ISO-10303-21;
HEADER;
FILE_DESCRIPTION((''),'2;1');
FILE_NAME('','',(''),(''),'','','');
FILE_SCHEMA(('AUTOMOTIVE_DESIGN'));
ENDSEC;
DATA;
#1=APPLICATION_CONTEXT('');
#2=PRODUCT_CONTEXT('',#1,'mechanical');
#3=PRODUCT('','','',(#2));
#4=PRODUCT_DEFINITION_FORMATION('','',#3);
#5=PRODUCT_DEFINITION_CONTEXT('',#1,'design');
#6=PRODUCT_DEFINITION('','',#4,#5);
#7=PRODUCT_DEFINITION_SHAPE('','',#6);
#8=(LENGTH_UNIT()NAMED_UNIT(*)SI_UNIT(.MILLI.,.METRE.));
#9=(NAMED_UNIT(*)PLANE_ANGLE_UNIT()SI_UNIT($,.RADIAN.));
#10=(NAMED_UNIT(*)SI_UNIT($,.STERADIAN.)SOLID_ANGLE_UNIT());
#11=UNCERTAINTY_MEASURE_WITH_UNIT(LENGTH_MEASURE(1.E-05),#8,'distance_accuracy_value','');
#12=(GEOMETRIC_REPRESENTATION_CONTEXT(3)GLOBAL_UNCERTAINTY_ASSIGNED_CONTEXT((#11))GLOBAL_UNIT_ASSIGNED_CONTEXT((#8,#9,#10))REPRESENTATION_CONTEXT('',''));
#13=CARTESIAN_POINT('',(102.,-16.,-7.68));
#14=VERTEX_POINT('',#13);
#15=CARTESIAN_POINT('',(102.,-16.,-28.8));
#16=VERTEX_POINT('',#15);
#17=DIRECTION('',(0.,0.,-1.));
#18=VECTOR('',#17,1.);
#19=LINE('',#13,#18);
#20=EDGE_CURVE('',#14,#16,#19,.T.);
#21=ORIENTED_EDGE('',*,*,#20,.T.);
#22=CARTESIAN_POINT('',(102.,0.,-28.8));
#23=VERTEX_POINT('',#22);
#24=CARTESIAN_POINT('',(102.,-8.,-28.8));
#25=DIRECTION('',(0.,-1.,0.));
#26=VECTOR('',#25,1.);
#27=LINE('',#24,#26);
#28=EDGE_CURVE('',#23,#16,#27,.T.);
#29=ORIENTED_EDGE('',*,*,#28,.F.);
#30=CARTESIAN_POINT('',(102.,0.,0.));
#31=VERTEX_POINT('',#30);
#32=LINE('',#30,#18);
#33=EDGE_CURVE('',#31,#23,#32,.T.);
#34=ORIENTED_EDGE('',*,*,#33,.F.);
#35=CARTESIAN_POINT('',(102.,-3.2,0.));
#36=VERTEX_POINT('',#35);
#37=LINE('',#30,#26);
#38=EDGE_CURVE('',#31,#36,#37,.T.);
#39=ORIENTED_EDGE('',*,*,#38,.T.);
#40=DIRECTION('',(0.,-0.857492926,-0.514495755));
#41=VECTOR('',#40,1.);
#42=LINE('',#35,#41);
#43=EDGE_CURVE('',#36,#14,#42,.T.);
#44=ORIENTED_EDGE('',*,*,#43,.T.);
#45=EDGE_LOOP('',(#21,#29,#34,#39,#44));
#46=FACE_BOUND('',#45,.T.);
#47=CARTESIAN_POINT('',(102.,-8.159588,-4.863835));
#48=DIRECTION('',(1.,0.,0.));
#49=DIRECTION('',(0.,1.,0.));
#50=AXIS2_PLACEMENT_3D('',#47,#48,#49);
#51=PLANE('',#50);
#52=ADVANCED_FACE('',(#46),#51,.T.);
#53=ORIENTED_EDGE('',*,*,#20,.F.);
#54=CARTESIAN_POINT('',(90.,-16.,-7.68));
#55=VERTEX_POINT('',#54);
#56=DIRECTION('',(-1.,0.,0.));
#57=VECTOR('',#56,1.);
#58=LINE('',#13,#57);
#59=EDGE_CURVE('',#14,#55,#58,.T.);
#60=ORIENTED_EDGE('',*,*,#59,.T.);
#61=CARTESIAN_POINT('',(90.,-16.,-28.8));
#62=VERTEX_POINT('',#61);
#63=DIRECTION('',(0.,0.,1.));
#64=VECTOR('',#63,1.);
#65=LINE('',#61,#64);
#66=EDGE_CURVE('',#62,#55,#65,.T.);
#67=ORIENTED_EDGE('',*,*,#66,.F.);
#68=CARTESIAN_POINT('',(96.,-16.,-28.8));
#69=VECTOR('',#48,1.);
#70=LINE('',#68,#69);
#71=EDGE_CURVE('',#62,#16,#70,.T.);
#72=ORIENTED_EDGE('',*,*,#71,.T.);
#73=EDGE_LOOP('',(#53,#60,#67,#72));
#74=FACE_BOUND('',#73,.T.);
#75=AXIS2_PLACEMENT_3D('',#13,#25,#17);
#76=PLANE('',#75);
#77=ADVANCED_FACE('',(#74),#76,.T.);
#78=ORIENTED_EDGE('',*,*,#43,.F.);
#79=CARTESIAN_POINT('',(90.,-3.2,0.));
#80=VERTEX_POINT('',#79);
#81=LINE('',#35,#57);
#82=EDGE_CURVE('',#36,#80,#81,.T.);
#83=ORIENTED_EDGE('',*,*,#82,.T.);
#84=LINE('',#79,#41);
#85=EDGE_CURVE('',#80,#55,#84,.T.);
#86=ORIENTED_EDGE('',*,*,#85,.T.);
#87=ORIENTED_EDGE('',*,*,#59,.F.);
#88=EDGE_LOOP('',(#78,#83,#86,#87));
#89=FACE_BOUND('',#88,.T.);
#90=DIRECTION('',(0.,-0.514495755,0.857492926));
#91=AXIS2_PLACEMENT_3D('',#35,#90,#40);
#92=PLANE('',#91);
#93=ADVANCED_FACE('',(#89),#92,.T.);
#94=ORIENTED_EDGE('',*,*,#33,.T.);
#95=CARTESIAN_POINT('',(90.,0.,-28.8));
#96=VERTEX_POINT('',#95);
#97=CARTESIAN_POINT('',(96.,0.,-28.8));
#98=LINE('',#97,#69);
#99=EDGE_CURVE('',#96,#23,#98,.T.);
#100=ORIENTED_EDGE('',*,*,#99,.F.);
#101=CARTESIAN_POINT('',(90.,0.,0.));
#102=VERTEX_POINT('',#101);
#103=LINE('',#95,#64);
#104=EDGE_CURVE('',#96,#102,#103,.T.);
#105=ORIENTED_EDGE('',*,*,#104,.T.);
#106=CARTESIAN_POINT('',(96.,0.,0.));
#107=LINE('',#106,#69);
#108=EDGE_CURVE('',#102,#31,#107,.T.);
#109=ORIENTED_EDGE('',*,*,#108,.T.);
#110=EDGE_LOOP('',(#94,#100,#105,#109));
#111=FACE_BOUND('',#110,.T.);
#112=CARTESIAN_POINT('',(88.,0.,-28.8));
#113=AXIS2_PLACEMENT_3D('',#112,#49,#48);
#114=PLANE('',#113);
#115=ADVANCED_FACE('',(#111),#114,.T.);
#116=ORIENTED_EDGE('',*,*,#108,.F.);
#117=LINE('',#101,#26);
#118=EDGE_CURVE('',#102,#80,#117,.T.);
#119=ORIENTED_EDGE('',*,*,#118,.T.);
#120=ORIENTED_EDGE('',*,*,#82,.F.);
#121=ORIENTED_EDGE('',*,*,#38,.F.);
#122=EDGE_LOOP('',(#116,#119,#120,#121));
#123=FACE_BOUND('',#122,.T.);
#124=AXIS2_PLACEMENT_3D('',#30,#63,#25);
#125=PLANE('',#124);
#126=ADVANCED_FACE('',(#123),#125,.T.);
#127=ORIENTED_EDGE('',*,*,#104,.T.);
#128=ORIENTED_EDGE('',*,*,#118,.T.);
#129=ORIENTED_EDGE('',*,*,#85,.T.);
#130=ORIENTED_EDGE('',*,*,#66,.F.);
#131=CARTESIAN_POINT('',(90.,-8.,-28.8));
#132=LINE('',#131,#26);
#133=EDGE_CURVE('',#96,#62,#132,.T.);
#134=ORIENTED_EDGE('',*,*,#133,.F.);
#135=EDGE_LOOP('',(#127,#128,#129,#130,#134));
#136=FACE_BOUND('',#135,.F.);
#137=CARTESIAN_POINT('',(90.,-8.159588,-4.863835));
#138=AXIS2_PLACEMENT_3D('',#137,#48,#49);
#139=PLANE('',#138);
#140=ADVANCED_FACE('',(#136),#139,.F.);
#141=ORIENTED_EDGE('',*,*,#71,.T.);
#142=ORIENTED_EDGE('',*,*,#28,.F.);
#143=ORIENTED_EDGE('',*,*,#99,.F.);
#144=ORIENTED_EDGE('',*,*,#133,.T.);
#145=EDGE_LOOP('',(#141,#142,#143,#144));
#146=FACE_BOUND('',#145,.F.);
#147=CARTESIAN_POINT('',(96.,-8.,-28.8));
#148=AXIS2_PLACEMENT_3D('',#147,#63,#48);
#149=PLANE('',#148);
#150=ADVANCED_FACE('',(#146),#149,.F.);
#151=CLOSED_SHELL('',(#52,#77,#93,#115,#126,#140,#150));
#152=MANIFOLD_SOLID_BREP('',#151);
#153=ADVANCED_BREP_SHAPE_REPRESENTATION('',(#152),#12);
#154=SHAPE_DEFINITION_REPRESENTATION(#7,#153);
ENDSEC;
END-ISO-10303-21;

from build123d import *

# Parameters (mm, degrees)
SKETCH032_W     = 16
SKETCH032_H     = 16
PAD017_DEPTH    = 28.8
POCKET015_DEPTH = 16
SKETCH115_W     = 2
SKETCH115_H     = 16
POCKET031_DEPTH = 30
PAD134_DEPTH    = 12


with BuildPart() as part:
    # Sketch032 (on Face52 of Binder013) → Pad017 (new body)
    with BuildSketch(Plane.XY.offset(-28.8)):
        with Locations((96, -8)):
            Rectangle(SKETCH032_W, SKETCH032_H)
    extrude(amount=PAD017_DEPTH)

    # Sketch033 (on Face2 of Pad017) → Pocket015 (cut)
    with BuildSketch(Plane.YZ.offset(104)):
        Polygon((-16, 0), (-16, -9.6), (0, 0), align=None)
    extrude(amount=-POCKET015_DEPTH, mode=Mode.SUBTRACT)

    # Sketch115 (on Face2 of Pocket015) → Pocket031 (cut)
    with BuildSketch(Plane(origin=(0, 0, -28.8), x_dir=(1, 0, 0), z_dir=(0, 0, -1))):
        with Locations((103, 8)):
            Rectangle(SKETCH115_W, SKETCH115_H)
        with Locations((89, 8)):
            Rectangle(SKETCH115_W, SKETCH115_H)
    extrude(amount=-POCKET031_DEPTH, mode=Mode.SUBTRACT)

    # Sketch134 (on Face3 of Pocket031) → Pad134 (join)
    with BuildSketch(Plane.YZ.offset(102)):
        Polygon((0, 0), (-3.2, 0), (-16, -7.68), (-16, -10.88), (-3.2, -3.2), (0, -3.2), align=None)
    extrude(amount=-PAD134_DEPTH)


solid = part.part
